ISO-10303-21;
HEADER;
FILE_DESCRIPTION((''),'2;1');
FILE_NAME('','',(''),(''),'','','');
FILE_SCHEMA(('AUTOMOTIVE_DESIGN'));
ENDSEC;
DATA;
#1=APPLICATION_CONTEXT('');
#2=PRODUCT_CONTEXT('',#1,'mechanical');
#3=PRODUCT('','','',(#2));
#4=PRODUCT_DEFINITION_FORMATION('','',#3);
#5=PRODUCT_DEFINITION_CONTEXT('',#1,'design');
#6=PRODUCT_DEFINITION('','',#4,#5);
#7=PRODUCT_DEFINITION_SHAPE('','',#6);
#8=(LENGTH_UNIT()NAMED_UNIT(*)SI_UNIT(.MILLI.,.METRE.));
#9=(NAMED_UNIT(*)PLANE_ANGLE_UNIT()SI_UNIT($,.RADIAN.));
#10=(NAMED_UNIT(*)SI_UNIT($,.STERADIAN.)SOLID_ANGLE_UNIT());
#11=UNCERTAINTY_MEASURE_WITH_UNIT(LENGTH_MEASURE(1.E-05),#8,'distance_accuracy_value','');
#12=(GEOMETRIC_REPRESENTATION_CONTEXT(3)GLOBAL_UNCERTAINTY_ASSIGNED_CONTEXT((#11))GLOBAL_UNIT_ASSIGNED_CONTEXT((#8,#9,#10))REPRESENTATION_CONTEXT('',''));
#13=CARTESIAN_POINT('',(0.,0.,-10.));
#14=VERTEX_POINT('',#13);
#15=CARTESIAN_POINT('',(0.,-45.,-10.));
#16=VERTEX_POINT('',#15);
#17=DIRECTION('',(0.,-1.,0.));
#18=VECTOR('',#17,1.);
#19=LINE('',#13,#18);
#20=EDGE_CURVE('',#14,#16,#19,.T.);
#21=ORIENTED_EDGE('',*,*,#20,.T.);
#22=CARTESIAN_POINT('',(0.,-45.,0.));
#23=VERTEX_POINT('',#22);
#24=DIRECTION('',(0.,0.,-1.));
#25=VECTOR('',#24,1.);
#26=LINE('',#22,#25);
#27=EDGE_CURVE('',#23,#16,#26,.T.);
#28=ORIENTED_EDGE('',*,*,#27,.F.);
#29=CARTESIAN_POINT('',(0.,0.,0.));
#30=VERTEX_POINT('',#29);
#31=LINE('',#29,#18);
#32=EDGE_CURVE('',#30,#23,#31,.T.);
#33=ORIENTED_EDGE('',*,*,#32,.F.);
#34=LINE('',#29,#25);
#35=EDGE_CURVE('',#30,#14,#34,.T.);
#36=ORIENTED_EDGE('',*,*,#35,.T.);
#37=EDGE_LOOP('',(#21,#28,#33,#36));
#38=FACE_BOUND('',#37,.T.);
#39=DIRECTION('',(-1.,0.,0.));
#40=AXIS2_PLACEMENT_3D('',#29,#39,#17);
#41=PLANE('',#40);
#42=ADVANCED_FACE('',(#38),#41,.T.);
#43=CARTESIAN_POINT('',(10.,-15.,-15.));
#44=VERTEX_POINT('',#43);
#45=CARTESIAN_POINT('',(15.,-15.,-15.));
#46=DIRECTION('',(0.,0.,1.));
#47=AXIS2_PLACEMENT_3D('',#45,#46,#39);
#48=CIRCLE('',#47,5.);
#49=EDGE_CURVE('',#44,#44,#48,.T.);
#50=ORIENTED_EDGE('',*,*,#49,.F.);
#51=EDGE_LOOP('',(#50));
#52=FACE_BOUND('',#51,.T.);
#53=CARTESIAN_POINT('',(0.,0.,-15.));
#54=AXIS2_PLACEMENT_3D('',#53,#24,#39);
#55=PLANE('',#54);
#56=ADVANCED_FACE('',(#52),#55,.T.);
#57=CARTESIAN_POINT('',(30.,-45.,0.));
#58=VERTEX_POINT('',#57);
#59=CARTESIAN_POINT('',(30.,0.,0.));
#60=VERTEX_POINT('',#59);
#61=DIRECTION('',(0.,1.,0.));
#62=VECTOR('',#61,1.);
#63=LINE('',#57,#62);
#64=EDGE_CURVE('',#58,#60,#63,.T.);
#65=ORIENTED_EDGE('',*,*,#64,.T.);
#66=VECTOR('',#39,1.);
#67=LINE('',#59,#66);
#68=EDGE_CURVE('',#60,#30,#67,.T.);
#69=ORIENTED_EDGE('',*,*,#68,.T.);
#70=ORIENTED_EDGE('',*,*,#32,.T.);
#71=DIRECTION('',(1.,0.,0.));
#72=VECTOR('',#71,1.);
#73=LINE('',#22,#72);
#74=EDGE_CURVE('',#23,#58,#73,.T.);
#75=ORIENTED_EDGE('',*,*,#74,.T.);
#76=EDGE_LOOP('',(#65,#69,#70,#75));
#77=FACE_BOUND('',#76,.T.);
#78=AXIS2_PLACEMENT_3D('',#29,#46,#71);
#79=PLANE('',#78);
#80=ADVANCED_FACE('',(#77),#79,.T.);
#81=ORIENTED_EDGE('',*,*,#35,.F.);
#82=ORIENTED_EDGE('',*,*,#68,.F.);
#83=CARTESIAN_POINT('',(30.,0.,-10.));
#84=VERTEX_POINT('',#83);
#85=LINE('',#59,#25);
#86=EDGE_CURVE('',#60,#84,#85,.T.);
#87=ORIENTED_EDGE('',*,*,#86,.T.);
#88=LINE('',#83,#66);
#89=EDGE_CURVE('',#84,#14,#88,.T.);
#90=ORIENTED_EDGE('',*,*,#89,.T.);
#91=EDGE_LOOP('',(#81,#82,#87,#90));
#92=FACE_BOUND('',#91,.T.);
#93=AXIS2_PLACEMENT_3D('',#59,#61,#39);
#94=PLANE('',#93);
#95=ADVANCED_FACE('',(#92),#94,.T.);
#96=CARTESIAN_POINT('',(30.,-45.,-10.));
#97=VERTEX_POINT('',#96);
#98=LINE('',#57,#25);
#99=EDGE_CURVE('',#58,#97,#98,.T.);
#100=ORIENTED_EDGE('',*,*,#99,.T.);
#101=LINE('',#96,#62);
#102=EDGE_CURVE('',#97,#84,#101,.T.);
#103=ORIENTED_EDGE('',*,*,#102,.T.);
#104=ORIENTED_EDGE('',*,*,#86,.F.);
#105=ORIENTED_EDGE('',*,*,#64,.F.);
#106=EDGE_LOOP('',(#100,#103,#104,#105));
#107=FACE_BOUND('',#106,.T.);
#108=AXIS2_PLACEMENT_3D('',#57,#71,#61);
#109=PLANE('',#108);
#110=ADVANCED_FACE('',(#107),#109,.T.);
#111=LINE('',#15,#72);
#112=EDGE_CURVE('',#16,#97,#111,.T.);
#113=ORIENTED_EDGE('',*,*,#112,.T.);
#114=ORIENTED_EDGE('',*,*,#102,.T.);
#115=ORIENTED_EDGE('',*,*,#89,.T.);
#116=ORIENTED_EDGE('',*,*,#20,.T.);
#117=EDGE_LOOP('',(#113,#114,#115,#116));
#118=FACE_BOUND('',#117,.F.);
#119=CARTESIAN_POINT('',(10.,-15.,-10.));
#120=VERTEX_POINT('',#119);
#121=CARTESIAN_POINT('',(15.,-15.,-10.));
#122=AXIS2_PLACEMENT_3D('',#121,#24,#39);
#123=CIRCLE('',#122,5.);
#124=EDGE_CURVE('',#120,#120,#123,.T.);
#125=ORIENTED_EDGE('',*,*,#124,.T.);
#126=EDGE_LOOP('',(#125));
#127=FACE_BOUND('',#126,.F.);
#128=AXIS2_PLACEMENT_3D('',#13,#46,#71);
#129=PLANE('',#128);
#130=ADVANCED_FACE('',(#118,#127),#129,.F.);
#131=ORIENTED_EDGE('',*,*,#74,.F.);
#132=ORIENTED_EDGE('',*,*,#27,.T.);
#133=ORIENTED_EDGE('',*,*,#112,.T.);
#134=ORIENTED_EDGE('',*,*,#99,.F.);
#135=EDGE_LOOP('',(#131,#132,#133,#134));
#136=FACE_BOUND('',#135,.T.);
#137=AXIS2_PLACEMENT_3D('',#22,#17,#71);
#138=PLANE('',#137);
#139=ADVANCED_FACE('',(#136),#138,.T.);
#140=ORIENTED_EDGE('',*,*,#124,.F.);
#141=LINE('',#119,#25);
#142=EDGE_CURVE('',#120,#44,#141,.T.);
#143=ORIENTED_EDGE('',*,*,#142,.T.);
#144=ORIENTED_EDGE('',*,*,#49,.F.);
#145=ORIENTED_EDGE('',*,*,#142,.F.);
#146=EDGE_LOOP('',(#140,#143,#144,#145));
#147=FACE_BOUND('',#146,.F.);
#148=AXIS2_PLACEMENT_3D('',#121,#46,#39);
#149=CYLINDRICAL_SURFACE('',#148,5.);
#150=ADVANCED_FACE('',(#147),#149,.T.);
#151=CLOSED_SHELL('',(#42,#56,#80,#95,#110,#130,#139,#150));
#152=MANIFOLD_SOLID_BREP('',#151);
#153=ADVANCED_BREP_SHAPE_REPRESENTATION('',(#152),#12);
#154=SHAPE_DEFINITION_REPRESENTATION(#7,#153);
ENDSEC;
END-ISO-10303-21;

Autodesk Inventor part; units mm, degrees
ref_plane "YZ Plane" through (0, 0, 0) normal (1, 0, 0) x (0, 1, 0)
ref_plane "XZ Plane" through (0, 0, 0) normal (0, 1, 0) x (-1, 0, 0)
ref_plane "XY Plane" through (0, 0, 0) normal (0, 0, 1) x (1, 0, 0)
sketch "Sketch1" plane through (0, 0, 0) normal (0, 0, 1) x (1, 0, 0)
  line L0 (0, 0) -> (0, -45)
  line L1 (0, -45) -> (30, -45)
  line L2 (30, -45) -> (30, 0)
  line L3 (30, 0) -> (0, 0)
  dimension "d0" = 45
  dimension "d1" = 30
extrude "Extrusion1" add sketch "Sketch1" against normal blind 10
sketch "Sketch2" plane through (0, 0, -10) normal (0, 0, -1) x (-1, 0, 0)
  line L0 (0, 0) -> (-30, 0) projected
  line L1 (-15, 0) -> (-15, -45)
  line L2 (-30, -45) -> (0, -45) projected
  line L3 (0, -45) -> (0, 0) projected
  line L4 (0, -22.5) -> (-30, -22.5)
  line L5 (-30, 0) -> (-30, -45) projected
  circle A0 centre (-15, -15) radius 5
  dimension "d4" = 10
  dimension "d5" = 15
extrude "Extrusion2" add sketch "Sketch2" along normal blind 5 contours A0 L1 | L1 A0
ref_plane "Work Plane1" through (0, -15, 0) normal (0, 1, 0) x (1, 0, 0)
properties part number "esp32CAM"
